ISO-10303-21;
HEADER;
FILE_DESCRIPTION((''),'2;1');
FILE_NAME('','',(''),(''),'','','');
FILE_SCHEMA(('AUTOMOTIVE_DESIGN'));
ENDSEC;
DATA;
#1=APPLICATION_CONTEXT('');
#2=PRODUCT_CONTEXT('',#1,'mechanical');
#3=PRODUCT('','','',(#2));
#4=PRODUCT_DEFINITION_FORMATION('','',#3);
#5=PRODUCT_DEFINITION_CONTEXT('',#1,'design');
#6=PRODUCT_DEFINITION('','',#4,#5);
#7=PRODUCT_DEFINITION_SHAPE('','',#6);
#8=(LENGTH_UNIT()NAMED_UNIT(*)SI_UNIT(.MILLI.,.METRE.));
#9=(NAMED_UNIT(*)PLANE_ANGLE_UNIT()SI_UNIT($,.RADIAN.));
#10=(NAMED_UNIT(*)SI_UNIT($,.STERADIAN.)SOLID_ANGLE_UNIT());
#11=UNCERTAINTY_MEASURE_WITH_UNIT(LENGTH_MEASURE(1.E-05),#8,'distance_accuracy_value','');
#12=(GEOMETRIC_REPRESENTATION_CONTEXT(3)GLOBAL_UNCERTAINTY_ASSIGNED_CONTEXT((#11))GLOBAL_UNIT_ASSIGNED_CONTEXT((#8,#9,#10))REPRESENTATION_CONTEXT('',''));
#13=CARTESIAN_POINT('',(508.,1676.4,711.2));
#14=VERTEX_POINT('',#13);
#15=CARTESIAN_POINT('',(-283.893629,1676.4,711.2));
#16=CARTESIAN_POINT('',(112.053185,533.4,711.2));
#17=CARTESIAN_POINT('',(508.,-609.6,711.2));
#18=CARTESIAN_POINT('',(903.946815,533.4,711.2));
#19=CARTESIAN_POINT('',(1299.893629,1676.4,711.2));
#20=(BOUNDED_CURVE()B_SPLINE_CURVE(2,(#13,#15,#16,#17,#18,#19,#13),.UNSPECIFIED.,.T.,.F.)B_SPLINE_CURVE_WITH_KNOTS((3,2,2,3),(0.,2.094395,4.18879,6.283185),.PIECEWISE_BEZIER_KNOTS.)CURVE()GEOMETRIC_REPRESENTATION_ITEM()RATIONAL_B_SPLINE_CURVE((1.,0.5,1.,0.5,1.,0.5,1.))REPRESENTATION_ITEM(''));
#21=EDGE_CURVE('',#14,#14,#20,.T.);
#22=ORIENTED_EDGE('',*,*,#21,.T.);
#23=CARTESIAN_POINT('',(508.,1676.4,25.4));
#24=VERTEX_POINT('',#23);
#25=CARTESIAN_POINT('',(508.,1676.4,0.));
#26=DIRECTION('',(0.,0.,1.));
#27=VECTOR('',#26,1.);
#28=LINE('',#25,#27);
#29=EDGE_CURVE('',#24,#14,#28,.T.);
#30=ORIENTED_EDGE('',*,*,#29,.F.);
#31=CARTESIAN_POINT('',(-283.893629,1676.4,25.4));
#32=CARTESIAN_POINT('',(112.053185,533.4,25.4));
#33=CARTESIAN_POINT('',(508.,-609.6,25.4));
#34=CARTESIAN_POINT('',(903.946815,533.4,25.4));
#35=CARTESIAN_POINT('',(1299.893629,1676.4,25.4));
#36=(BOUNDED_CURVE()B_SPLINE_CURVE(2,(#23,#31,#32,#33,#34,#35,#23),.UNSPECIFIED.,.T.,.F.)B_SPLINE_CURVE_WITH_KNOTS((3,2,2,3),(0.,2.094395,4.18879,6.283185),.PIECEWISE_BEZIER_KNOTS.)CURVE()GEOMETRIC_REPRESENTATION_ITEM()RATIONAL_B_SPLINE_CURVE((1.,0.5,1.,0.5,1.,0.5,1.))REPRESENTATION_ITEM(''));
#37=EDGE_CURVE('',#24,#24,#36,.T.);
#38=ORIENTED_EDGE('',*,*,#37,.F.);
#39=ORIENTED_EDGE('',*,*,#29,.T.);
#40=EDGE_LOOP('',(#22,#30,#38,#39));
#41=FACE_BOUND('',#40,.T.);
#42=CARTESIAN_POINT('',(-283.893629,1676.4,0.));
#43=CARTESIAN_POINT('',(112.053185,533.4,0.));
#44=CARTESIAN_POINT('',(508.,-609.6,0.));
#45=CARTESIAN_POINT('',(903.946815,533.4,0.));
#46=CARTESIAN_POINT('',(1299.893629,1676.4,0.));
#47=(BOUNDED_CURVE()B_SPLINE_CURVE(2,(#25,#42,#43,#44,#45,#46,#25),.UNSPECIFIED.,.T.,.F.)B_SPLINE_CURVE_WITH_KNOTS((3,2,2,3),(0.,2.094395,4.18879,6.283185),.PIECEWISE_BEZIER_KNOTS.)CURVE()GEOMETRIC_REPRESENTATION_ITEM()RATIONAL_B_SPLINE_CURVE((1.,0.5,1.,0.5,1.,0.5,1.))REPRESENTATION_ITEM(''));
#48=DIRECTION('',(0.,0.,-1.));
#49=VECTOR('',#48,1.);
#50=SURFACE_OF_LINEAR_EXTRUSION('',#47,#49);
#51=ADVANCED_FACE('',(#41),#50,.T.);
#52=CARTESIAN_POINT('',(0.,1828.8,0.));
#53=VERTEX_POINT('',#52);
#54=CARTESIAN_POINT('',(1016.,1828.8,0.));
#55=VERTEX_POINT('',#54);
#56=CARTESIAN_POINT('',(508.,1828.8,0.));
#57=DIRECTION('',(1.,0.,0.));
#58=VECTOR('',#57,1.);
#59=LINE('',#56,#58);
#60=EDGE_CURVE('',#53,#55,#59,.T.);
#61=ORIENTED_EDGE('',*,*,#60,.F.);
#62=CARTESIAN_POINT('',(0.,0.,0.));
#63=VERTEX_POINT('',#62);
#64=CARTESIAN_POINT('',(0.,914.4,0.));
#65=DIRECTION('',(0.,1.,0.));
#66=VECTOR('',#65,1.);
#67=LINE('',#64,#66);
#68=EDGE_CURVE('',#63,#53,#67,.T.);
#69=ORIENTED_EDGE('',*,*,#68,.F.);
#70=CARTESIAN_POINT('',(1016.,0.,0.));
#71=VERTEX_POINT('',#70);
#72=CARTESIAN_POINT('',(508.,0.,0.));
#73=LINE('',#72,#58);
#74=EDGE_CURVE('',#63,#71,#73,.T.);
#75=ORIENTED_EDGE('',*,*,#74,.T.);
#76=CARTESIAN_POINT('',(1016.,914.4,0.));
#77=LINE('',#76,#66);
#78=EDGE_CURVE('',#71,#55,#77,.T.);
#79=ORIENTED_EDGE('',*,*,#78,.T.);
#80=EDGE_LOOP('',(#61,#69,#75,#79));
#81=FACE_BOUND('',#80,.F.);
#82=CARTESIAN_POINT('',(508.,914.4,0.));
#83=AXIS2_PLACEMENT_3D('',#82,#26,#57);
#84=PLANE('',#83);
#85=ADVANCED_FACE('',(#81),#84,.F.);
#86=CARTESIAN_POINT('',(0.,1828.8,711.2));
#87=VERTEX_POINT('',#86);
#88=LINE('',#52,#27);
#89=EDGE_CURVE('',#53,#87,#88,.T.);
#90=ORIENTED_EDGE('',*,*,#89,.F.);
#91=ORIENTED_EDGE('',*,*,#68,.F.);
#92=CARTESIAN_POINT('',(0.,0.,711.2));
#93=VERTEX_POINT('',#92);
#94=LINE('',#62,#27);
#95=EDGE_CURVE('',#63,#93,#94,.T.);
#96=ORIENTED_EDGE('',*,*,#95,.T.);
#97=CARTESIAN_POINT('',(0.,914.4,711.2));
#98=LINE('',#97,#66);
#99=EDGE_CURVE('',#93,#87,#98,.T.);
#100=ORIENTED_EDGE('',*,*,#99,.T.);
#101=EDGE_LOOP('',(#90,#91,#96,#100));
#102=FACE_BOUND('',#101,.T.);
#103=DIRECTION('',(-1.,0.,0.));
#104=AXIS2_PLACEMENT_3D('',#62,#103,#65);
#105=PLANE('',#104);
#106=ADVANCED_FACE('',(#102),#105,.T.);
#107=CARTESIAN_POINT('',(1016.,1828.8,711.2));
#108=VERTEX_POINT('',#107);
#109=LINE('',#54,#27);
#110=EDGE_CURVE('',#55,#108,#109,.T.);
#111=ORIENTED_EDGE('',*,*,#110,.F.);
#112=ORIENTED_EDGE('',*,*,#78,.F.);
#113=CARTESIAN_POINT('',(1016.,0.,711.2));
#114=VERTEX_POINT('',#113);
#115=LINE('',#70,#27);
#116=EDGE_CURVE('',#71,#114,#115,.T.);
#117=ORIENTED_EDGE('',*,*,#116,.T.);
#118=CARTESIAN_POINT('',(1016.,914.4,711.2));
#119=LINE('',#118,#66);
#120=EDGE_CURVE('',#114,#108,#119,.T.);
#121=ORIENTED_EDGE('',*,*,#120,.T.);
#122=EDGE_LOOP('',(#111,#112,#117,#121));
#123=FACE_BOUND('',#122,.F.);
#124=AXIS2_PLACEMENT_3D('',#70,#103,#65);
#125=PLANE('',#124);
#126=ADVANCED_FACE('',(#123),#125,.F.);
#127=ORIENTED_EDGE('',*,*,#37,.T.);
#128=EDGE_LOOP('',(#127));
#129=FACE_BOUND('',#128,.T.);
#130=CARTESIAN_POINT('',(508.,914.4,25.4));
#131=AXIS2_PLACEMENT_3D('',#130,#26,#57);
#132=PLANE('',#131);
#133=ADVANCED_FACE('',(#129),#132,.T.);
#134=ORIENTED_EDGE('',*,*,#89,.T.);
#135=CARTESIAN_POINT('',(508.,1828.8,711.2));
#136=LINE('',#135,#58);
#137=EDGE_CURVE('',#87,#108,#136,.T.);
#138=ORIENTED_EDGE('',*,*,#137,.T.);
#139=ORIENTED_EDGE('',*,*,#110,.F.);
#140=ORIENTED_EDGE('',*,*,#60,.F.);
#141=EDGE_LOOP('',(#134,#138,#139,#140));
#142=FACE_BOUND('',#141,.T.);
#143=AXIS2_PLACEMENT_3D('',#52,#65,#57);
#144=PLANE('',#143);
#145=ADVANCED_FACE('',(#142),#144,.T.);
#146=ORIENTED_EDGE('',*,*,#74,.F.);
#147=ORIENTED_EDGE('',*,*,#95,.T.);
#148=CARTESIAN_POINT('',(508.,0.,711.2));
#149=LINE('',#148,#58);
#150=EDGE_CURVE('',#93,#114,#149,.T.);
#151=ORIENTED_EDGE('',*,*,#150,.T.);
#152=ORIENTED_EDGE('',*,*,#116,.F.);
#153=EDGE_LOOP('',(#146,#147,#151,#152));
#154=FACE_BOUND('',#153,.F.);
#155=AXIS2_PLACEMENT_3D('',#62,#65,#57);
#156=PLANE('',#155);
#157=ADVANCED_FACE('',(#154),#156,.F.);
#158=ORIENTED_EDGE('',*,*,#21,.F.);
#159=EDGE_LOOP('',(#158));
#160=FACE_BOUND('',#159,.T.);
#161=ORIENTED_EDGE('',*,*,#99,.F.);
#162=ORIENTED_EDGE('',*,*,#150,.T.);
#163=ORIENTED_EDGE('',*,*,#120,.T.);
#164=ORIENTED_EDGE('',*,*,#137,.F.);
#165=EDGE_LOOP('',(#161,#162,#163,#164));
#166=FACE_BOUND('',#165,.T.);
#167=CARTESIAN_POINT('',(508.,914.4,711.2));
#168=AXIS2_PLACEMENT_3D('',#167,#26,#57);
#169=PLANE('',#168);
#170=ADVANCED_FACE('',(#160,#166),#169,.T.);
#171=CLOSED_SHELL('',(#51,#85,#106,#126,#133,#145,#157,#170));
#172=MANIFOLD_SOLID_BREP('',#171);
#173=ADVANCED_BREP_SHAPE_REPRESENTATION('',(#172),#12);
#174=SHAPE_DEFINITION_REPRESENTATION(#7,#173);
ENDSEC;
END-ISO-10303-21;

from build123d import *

# Parameters (mm, degrees)
F0_W     = 1016
F0_H     = 1828.8
F1_DEPTH = 711.2
F2_DEPTH = 25.4


with BuildPart() as f1:
    # F0 (on Top) → F1 (new body)
    with BuildSketch(Plane.XY):
        with Locations((508, 914.4)):
            Rectangle(F0_W, F0_H)
        with BuildLine():
            add(Edge.make_bspline(
                [(508, 1676.4), (-283.893629, 1676.4), (112.053185, 533.4), (508, -609.6), (903.946815, 533.4), (1299.893629, 1676.4), (508, 1676.4)],
                knots=[0, 0, 0, 2.094395, 2.094395, 4.18879, 4.18879, 6.283185, 6.283185, 6.283185], degree=2, weights=[1, 0.5, 1, 0.5, 1, 0.5, 1]))
        make_face(mode=Mode.SUBTRACT)
    extrude(amount=F1_DEPTH)

    # F0 (on Top) → F2 (join)
    with BuildSketch(Plane.XY):
        with BuildLine():
            add(Edge.make_bspline(
                [(508, 1676.4), (-283.893629, 1676.4), (112.053185, 533.4), (508, -609.6), (903.946815, 533.4), (1299.893629, 1676.4), (508, 1676.4)],
                knots=[0, 0, 0, 2.094395, 2.094395, 4.18879, 4.18879, 6.283185, 6.283185, 6.283185], degree=2, weights=[1, 0.5, 1, 0.5, 1, 0.5, 1]))
        make_face()
    extrude(amount=F2_DEPTH)


solid = f1.part
